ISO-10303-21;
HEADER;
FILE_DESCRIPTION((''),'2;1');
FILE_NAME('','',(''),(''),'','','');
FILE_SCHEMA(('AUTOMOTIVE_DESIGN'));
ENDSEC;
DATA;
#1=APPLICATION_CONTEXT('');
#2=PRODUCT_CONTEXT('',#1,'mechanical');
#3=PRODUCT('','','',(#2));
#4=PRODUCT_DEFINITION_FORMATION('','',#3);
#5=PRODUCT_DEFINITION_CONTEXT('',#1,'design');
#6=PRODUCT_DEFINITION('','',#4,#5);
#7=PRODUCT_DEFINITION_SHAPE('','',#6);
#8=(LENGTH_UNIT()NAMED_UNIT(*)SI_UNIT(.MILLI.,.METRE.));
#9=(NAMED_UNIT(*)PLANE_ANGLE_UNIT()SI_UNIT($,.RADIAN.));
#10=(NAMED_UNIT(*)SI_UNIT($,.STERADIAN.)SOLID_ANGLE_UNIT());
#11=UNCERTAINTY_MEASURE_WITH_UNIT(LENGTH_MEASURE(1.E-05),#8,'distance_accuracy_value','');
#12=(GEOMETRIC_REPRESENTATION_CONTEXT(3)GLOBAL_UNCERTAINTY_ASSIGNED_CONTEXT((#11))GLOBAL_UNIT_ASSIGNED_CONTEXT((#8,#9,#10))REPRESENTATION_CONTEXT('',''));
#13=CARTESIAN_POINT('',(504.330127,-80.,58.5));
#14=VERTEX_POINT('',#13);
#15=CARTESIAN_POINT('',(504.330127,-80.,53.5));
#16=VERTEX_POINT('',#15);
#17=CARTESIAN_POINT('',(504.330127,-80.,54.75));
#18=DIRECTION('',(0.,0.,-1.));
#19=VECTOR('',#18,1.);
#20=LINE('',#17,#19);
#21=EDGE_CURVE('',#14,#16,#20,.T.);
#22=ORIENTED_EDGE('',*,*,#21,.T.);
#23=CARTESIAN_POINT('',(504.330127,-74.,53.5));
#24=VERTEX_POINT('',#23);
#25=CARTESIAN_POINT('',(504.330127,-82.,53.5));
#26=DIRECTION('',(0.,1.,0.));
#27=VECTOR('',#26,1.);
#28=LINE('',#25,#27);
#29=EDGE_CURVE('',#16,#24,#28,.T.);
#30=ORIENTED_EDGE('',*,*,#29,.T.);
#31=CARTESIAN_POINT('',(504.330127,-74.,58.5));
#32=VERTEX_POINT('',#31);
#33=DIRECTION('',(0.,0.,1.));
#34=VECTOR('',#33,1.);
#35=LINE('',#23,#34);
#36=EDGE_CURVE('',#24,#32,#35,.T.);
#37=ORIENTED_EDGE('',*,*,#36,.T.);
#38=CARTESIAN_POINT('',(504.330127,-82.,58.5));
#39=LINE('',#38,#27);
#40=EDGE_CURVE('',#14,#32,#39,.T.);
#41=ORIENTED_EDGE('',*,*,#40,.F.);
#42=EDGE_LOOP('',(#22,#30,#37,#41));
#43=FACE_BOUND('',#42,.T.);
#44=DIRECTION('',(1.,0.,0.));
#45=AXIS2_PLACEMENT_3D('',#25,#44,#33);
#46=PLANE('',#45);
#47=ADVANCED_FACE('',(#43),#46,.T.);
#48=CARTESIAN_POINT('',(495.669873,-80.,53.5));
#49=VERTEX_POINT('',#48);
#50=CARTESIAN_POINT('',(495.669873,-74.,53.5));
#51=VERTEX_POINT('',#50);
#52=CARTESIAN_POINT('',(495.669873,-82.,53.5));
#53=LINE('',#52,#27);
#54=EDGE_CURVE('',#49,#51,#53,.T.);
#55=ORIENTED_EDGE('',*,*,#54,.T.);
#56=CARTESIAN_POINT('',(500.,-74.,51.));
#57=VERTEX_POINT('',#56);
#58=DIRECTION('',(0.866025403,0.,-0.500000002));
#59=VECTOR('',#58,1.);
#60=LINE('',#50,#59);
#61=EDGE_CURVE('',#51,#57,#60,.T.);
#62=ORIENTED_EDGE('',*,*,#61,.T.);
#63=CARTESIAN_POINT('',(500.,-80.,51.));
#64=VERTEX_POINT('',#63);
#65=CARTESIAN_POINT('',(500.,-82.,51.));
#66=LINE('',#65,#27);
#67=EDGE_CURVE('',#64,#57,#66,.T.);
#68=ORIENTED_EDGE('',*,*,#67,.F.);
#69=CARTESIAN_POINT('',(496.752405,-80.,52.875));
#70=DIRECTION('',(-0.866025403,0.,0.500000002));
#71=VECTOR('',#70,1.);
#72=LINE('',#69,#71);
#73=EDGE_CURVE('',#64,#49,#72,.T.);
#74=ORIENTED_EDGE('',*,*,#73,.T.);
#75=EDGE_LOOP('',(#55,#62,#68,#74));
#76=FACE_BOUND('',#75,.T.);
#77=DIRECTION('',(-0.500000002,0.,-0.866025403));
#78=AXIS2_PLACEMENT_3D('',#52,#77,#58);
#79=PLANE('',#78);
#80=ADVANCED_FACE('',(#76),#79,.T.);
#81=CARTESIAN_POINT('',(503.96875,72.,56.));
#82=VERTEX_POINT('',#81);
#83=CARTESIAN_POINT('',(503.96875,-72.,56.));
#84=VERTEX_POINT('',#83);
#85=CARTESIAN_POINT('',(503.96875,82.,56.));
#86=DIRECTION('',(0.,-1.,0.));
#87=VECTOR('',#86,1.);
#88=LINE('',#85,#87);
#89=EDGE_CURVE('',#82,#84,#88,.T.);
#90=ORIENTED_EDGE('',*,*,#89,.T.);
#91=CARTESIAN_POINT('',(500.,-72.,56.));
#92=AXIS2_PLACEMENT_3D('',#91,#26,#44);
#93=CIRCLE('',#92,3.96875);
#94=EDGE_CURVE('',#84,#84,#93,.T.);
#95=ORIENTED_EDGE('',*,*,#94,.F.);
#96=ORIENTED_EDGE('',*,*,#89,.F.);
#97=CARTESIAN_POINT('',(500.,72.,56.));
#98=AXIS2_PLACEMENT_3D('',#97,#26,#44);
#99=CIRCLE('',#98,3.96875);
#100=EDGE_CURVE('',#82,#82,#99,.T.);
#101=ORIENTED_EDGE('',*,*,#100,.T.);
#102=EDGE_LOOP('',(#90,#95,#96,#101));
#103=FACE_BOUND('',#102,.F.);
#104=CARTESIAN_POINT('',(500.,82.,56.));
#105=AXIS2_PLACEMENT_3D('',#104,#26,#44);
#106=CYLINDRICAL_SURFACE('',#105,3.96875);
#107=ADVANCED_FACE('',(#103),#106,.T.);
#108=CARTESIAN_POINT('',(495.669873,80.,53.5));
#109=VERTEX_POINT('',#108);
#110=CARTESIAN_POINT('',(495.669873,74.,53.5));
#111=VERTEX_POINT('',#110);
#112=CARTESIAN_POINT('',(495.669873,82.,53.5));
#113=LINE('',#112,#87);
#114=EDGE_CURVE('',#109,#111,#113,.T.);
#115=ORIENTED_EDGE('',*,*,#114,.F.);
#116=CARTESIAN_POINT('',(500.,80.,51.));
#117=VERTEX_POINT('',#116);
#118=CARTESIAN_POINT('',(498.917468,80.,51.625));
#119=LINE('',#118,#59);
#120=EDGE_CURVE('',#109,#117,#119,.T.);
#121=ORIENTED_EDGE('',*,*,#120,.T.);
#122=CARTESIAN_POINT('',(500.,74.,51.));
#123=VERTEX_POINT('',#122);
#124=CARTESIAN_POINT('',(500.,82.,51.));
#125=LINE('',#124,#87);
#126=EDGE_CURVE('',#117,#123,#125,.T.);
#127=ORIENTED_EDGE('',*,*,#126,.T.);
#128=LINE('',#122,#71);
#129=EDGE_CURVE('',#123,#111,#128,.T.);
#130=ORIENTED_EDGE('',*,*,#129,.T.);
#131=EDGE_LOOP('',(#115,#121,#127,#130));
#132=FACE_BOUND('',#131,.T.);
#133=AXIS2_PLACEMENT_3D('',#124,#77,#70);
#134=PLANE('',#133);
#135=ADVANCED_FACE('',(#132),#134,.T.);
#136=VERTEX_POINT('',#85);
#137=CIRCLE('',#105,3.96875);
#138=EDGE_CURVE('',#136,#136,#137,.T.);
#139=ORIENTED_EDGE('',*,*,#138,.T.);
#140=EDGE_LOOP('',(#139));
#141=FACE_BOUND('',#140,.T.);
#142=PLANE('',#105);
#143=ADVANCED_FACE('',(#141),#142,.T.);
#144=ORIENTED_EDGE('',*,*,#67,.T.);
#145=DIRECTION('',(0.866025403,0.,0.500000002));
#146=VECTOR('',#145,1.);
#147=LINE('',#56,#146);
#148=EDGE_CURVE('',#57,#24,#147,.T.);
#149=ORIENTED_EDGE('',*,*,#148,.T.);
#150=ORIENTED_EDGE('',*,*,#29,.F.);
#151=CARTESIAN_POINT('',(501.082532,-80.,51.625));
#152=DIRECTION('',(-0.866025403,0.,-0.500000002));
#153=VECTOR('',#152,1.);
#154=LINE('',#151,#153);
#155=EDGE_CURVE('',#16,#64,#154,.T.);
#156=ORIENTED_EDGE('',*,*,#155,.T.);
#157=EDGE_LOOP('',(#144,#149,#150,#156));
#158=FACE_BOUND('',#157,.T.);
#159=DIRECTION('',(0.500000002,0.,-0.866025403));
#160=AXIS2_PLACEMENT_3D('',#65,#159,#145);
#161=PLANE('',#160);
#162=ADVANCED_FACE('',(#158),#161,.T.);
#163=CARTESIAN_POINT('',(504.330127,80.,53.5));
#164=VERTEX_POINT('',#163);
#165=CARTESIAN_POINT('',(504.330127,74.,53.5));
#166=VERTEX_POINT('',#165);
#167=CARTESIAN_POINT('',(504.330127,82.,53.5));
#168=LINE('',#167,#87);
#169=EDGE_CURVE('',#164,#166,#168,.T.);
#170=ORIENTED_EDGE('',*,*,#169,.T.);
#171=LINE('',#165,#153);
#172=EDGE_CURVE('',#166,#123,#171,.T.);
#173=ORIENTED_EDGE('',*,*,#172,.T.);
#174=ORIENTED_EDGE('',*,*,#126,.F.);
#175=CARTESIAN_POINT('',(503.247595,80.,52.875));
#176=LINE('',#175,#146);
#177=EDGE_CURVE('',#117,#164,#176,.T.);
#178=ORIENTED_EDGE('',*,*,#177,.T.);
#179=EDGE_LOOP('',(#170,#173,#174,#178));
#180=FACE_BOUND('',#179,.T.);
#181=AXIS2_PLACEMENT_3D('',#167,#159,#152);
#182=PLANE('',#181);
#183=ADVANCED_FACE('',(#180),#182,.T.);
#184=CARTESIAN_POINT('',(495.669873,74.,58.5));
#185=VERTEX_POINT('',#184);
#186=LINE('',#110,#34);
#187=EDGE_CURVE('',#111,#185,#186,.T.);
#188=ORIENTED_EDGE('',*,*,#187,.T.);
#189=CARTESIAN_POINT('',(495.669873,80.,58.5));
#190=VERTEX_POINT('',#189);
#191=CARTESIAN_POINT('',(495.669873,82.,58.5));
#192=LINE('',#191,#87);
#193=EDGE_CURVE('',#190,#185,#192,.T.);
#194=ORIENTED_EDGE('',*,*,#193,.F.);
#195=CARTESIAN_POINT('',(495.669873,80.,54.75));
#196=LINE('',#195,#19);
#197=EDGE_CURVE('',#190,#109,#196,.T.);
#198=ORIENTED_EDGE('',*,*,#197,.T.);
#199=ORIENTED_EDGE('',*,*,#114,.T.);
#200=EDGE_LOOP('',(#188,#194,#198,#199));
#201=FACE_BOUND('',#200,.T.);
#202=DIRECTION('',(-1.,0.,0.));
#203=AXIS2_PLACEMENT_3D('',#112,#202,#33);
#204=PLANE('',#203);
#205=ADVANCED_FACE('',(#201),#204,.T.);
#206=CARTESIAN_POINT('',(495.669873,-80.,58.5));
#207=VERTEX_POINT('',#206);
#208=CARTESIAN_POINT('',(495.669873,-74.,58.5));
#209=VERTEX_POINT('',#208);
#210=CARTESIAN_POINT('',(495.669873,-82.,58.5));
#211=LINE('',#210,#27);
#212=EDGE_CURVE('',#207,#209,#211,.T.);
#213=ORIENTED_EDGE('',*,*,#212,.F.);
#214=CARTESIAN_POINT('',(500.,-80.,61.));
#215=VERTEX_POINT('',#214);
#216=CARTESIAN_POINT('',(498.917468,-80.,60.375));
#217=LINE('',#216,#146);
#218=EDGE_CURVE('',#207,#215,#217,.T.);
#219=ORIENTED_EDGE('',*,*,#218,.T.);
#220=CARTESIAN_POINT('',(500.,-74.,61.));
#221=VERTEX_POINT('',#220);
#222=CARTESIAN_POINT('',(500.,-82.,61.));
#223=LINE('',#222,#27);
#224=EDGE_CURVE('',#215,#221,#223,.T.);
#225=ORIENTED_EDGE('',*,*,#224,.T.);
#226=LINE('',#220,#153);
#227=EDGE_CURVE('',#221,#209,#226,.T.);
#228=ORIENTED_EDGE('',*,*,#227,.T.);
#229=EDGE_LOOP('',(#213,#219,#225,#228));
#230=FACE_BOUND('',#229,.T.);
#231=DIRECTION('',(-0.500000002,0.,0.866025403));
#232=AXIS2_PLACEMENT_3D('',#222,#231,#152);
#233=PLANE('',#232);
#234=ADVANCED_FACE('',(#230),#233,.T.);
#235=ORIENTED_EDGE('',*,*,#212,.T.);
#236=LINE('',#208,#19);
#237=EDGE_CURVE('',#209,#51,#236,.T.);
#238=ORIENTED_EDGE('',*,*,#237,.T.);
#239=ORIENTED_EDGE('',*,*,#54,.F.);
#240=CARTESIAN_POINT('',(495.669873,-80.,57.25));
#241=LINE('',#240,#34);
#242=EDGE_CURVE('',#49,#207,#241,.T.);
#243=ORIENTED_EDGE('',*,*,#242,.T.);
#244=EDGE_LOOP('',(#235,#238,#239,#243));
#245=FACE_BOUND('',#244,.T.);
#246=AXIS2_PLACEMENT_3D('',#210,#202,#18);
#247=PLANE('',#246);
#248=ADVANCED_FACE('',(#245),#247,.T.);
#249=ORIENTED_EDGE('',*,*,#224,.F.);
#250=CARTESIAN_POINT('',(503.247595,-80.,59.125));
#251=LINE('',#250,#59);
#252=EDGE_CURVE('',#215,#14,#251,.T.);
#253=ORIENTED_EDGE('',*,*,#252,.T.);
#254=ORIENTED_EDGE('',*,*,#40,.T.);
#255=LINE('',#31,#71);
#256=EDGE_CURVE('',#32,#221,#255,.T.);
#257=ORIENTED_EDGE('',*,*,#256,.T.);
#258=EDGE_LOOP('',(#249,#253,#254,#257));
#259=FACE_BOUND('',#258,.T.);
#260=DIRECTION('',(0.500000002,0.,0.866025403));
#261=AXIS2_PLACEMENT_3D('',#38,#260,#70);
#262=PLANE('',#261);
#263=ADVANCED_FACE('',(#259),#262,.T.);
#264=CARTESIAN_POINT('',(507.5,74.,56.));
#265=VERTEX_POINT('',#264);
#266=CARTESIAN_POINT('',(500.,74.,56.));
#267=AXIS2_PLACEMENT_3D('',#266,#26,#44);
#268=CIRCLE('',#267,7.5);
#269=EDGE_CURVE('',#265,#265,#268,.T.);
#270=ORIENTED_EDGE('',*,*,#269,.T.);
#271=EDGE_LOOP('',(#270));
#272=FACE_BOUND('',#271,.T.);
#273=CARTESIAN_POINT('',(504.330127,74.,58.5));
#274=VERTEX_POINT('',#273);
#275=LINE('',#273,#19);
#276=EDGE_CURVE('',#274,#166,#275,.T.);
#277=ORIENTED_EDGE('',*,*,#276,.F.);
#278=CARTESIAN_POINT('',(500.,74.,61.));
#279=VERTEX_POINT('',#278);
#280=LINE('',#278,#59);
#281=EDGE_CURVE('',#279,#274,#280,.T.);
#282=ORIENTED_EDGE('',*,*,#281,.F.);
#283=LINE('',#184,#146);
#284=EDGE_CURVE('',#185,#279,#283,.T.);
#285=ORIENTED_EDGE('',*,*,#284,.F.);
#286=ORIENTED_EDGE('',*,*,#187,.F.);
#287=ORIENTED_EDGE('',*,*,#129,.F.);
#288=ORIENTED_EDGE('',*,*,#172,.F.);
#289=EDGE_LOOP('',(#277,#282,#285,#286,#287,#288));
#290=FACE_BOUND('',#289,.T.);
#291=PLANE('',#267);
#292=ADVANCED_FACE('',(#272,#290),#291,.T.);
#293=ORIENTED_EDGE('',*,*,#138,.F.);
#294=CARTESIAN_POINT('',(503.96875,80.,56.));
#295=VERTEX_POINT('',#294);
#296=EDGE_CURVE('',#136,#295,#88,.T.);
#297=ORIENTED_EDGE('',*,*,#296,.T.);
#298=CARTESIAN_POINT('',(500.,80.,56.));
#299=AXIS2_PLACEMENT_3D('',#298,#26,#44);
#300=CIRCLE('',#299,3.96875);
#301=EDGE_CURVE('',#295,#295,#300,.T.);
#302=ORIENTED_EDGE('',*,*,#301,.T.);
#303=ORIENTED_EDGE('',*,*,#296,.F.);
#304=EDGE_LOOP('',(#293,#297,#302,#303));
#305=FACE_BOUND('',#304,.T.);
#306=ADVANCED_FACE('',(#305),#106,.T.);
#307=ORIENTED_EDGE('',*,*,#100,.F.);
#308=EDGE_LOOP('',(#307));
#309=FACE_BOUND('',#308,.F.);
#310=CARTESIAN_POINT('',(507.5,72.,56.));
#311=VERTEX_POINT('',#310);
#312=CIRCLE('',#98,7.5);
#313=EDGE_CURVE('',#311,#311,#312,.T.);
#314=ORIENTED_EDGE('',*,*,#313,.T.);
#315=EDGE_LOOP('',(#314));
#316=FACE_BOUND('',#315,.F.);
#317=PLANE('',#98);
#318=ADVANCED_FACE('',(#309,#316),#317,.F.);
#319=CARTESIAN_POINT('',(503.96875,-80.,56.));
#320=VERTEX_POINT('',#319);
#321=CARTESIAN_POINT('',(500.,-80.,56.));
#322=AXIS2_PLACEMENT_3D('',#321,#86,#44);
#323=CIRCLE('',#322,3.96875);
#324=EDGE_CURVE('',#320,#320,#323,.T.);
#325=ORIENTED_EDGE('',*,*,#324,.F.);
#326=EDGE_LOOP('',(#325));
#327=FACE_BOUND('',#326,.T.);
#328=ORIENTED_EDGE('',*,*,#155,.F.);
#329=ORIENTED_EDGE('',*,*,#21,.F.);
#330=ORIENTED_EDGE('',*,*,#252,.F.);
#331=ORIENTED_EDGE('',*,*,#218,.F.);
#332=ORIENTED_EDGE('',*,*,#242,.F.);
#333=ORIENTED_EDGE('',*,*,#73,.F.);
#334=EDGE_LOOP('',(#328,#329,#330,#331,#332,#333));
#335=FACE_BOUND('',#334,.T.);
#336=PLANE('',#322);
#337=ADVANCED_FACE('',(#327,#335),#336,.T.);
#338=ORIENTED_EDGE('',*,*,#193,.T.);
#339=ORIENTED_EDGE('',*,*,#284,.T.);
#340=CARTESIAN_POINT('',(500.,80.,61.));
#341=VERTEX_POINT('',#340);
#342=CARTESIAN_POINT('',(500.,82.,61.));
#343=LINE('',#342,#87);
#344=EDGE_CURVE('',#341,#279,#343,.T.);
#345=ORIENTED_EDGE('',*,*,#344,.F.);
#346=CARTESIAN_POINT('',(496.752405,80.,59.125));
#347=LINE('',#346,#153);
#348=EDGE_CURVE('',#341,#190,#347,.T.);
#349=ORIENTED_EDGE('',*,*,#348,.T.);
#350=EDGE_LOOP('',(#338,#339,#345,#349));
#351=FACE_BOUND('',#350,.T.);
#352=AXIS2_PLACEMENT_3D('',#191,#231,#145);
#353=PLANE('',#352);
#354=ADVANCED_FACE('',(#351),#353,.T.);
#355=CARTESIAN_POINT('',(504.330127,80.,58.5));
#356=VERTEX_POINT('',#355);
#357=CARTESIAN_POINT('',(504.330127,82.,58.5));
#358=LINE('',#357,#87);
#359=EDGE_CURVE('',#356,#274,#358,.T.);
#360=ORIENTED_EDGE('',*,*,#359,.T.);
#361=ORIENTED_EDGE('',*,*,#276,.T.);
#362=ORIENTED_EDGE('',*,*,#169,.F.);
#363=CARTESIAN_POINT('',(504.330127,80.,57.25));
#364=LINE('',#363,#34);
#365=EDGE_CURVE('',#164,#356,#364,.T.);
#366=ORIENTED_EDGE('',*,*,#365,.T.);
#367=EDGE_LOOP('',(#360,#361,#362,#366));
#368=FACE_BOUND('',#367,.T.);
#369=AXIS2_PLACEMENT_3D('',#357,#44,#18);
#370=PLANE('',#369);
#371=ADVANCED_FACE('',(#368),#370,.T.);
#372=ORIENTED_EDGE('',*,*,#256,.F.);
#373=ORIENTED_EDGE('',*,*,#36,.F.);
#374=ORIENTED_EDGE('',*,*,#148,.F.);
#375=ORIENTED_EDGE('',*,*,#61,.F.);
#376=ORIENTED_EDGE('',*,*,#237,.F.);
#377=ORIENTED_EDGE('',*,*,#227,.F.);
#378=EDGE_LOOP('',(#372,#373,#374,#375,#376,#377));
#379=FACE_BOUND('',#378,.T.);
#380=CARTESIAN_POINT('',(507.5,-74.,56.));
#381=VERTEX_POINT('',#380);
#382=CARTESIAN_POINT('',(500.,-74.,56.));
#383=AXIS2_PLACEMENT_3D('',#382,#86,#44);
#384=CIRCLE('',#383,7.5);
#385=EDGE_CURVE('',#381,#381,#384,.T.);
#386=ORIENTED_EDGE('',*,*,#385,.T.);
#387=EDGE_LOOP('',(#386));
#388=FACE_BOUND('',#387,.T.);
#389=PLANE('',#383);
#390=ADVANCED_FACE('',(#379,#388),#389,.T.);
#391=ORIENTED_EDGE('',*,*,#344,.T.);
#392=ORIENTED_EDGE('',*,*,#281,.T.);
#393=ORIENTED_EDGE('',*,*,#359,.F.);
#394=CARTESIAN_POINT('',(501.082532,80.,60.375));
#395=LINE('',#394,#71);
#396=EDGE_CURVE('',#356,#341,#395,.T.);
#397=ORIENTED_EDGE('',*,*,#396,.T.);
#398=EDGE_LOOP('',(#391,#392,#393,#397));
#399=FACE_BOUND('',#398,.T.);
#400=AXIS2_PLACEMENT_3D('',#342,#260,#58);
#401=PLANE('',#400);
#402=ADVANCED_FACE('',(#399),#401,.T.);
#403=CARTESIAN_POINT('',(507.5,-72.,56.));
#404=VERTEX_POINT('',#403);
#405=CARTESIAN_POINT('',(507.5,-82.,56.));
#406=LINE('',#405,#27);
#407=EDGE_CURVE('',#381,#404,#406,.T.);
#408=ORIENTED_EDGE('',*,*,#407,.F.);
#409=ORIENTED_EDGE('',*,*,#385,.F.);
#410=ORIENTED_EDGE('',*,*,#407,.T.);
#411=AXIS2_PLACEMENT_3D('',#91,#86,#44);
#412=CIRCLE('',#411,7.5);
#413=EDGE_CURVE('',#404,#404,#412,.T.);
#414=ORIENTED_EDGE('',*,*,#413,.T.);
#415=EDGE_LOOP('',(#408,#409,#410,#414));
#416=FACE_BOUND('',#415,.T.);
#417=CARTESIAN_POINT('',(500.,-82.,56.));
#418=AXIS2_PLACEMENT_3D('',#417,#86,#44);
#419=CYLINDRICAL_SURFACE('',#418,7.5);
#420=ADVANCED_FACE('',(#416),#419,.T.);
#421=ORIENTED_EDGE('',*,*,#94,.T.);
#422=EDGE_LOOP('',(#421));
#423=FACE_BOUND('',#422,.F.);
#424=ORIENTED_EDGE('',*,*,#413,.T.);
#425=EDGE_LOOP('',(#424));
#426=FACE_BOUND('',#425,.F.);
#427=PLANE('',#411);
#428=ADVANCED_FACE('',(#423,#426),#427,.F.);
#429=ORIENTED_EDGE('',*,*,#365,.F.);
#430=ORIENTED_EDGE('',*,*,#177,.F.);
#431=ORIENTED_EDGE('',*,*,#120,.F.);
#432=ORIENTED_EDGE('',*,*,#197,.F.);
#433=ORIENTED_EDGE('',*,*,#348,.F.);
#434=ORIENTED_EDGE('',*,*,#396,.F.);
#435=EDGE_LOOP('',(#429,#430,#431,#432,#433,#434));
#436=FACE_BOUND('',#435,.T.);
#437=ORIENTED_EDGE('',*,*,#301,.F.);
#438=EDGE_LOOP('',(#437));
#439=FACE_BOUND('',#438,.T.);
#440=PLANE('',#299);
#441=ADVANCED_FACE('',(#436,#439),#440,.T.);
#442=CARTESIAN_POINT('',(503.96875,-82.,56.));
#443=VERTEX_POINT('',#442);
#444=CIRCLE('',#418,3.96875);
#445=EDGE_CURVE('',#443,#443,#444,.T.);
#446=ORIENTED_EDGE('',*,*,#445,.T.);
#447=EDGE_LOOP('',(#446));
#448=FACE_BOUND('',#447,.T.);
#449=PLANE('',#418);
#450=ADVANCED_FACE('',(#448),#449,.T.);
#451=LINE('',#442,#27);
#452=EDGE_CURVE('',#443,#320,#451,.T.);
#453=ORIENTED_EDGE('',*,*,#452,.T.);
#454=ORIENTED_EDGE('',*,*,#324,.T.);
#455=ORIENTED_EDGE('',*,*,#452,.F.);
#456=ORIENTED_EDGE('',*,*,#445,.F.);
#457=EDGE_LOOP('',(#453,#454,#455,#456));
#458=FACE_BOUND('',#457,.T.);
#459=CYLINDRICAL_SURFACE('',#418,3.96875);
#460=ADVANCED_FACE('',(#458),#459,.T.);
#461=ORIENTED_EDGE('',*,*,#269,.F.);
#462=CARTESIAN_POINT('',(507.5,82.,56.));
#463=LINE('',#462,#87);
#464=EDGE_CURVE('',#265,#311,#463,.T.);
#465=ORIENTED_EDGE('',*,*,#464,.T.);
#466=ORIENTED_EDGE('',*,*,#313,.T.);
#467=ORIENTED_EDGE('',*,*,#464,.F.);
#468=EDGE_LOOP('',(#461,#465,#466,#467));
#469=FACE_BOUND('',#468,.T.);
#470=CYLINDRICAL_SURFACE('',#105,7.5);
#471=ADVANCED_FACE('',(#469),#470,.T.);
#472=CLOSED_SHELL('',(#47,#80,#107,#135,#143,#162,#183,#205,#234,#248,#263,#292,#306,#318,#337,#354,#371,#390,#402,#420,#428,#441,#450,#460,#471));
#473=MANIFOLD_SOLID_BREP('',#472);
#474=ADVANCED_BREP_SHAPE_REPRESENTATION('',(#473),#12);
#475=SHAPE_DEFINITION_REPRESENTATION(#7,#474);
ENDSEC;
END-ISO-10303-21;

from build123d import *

# Parameters (mm, degrees)
SKETCH013_R     = 3.96875
PAD009_DEPTH    = 164
SKETCH014_R     = 7.5
PAD010_DEPTH    = 10
SKETCH015_R     = 7.5
POCKET003_DEPTH = 8
SKETCH016_R     = 7.5
SKETCH016_R_2   = 3.96875
POCKET004_DEPTH = 2
SKETCH017_R     = 7.5
PAD011_DEPTH    = 10
SKETCH018_R     = 7.5
POCKET005_DEPTH = 8
SKETCH019_R     = 7.5
SKETCH019_R_2   = 3.96875
POCKET006_DEPTH = 2


with BuildPart() as part:
    # Sketch013 → Pad009 (new body)
    with BuildSketch(Plane(origin=(500, 82, 56), x_dir=(1, 0, 0), z_dir=(0, -1, 0))):
        Circle(SKETCH013_R)
    extrude(amount=PAD009_DEPTH)

    # Sketch014 → Pad010 (new body)
    with BuildSketch(Plane(origin=(500, 82, 56), x_dir=(1, 0, 0), z_dir=(0, 1, 0))):
        Circle(SKETCH014_R)
    extrude(amount=-PAD010_DEPTH)

    # Sketch015 → Pocket003 (cut)
    with BuildSketch(Plane(origin=(500, 82, 56), x_dir=(1, 0, 0), z_dir=(0, 1, 0))):
        Circle(SKETCH015_R)
        Polygon((0, 5), (-4.330127, 2.5), (-4.330127, -2.5), (0, -5), (4.330127, -2.5), (4.330127, 2.5), align=None, mode=Mode.SUBTRACT)
    extrude(amount=-POCKET003_DEPTH, mode=Mode.SUBTRACT)

    # Sketch016 → Pocket004 (cut)
    with BuildSketch(Plane(origin=(500, 82, 56), x_dir=(1, 0, 0), z_dir=(0, 1, 0))):
        Circle(SKETCH016_R)
        Circle(SKETCH016_R_2, mode=Mode.SUBTRACT)
    extrude(amount=-POCKET004_DEPTH, mode=Mode.SUBTRACT)

    # Sketch017 → Pad011 (new body)
    with BuildSketch(Plane(origin=(500, -82, 56), x_dir=(1, 0, 0), z_dir=(0, -1, 0))):
        Circle(SKETCH017_R)
    extrude(amount=-PAD011_DEPTH)

    # Sketch018 → Pocket005 (cut)
    with BuildSketch(Plane(origin=(500, -82, 56), x_dir=(1, 0, 0), z_dir=(0, -1, 0))):
        Circle(SKETCH018_R)
        Polygon((0, 5), (-4.330127, 2.5), (-4.330127, -2.5), (0, -5), (4.330127, -2.5), (4.330127, 2.5), align=None, mode=Mode.SUBTRACT)
    extrude(amount=-POCKET005_DEPTH, mode=Mode.SUBTRACT)

    # Sketch019 → Pocket006 (cut)
    with BuildSketch(Plane(origin=(500, -82, 56), x_dir=(1, 0, 0), z_dir=(0, -1, 0))):
        Circle(SKETCH019_R)
        Circle(SKETCH019_R_2, mode=Mode.SUBTRACT)
    extrude(amount=-POCKET006_DEPTH, mode=Mode.SUBTRACT)


solid = part.part
